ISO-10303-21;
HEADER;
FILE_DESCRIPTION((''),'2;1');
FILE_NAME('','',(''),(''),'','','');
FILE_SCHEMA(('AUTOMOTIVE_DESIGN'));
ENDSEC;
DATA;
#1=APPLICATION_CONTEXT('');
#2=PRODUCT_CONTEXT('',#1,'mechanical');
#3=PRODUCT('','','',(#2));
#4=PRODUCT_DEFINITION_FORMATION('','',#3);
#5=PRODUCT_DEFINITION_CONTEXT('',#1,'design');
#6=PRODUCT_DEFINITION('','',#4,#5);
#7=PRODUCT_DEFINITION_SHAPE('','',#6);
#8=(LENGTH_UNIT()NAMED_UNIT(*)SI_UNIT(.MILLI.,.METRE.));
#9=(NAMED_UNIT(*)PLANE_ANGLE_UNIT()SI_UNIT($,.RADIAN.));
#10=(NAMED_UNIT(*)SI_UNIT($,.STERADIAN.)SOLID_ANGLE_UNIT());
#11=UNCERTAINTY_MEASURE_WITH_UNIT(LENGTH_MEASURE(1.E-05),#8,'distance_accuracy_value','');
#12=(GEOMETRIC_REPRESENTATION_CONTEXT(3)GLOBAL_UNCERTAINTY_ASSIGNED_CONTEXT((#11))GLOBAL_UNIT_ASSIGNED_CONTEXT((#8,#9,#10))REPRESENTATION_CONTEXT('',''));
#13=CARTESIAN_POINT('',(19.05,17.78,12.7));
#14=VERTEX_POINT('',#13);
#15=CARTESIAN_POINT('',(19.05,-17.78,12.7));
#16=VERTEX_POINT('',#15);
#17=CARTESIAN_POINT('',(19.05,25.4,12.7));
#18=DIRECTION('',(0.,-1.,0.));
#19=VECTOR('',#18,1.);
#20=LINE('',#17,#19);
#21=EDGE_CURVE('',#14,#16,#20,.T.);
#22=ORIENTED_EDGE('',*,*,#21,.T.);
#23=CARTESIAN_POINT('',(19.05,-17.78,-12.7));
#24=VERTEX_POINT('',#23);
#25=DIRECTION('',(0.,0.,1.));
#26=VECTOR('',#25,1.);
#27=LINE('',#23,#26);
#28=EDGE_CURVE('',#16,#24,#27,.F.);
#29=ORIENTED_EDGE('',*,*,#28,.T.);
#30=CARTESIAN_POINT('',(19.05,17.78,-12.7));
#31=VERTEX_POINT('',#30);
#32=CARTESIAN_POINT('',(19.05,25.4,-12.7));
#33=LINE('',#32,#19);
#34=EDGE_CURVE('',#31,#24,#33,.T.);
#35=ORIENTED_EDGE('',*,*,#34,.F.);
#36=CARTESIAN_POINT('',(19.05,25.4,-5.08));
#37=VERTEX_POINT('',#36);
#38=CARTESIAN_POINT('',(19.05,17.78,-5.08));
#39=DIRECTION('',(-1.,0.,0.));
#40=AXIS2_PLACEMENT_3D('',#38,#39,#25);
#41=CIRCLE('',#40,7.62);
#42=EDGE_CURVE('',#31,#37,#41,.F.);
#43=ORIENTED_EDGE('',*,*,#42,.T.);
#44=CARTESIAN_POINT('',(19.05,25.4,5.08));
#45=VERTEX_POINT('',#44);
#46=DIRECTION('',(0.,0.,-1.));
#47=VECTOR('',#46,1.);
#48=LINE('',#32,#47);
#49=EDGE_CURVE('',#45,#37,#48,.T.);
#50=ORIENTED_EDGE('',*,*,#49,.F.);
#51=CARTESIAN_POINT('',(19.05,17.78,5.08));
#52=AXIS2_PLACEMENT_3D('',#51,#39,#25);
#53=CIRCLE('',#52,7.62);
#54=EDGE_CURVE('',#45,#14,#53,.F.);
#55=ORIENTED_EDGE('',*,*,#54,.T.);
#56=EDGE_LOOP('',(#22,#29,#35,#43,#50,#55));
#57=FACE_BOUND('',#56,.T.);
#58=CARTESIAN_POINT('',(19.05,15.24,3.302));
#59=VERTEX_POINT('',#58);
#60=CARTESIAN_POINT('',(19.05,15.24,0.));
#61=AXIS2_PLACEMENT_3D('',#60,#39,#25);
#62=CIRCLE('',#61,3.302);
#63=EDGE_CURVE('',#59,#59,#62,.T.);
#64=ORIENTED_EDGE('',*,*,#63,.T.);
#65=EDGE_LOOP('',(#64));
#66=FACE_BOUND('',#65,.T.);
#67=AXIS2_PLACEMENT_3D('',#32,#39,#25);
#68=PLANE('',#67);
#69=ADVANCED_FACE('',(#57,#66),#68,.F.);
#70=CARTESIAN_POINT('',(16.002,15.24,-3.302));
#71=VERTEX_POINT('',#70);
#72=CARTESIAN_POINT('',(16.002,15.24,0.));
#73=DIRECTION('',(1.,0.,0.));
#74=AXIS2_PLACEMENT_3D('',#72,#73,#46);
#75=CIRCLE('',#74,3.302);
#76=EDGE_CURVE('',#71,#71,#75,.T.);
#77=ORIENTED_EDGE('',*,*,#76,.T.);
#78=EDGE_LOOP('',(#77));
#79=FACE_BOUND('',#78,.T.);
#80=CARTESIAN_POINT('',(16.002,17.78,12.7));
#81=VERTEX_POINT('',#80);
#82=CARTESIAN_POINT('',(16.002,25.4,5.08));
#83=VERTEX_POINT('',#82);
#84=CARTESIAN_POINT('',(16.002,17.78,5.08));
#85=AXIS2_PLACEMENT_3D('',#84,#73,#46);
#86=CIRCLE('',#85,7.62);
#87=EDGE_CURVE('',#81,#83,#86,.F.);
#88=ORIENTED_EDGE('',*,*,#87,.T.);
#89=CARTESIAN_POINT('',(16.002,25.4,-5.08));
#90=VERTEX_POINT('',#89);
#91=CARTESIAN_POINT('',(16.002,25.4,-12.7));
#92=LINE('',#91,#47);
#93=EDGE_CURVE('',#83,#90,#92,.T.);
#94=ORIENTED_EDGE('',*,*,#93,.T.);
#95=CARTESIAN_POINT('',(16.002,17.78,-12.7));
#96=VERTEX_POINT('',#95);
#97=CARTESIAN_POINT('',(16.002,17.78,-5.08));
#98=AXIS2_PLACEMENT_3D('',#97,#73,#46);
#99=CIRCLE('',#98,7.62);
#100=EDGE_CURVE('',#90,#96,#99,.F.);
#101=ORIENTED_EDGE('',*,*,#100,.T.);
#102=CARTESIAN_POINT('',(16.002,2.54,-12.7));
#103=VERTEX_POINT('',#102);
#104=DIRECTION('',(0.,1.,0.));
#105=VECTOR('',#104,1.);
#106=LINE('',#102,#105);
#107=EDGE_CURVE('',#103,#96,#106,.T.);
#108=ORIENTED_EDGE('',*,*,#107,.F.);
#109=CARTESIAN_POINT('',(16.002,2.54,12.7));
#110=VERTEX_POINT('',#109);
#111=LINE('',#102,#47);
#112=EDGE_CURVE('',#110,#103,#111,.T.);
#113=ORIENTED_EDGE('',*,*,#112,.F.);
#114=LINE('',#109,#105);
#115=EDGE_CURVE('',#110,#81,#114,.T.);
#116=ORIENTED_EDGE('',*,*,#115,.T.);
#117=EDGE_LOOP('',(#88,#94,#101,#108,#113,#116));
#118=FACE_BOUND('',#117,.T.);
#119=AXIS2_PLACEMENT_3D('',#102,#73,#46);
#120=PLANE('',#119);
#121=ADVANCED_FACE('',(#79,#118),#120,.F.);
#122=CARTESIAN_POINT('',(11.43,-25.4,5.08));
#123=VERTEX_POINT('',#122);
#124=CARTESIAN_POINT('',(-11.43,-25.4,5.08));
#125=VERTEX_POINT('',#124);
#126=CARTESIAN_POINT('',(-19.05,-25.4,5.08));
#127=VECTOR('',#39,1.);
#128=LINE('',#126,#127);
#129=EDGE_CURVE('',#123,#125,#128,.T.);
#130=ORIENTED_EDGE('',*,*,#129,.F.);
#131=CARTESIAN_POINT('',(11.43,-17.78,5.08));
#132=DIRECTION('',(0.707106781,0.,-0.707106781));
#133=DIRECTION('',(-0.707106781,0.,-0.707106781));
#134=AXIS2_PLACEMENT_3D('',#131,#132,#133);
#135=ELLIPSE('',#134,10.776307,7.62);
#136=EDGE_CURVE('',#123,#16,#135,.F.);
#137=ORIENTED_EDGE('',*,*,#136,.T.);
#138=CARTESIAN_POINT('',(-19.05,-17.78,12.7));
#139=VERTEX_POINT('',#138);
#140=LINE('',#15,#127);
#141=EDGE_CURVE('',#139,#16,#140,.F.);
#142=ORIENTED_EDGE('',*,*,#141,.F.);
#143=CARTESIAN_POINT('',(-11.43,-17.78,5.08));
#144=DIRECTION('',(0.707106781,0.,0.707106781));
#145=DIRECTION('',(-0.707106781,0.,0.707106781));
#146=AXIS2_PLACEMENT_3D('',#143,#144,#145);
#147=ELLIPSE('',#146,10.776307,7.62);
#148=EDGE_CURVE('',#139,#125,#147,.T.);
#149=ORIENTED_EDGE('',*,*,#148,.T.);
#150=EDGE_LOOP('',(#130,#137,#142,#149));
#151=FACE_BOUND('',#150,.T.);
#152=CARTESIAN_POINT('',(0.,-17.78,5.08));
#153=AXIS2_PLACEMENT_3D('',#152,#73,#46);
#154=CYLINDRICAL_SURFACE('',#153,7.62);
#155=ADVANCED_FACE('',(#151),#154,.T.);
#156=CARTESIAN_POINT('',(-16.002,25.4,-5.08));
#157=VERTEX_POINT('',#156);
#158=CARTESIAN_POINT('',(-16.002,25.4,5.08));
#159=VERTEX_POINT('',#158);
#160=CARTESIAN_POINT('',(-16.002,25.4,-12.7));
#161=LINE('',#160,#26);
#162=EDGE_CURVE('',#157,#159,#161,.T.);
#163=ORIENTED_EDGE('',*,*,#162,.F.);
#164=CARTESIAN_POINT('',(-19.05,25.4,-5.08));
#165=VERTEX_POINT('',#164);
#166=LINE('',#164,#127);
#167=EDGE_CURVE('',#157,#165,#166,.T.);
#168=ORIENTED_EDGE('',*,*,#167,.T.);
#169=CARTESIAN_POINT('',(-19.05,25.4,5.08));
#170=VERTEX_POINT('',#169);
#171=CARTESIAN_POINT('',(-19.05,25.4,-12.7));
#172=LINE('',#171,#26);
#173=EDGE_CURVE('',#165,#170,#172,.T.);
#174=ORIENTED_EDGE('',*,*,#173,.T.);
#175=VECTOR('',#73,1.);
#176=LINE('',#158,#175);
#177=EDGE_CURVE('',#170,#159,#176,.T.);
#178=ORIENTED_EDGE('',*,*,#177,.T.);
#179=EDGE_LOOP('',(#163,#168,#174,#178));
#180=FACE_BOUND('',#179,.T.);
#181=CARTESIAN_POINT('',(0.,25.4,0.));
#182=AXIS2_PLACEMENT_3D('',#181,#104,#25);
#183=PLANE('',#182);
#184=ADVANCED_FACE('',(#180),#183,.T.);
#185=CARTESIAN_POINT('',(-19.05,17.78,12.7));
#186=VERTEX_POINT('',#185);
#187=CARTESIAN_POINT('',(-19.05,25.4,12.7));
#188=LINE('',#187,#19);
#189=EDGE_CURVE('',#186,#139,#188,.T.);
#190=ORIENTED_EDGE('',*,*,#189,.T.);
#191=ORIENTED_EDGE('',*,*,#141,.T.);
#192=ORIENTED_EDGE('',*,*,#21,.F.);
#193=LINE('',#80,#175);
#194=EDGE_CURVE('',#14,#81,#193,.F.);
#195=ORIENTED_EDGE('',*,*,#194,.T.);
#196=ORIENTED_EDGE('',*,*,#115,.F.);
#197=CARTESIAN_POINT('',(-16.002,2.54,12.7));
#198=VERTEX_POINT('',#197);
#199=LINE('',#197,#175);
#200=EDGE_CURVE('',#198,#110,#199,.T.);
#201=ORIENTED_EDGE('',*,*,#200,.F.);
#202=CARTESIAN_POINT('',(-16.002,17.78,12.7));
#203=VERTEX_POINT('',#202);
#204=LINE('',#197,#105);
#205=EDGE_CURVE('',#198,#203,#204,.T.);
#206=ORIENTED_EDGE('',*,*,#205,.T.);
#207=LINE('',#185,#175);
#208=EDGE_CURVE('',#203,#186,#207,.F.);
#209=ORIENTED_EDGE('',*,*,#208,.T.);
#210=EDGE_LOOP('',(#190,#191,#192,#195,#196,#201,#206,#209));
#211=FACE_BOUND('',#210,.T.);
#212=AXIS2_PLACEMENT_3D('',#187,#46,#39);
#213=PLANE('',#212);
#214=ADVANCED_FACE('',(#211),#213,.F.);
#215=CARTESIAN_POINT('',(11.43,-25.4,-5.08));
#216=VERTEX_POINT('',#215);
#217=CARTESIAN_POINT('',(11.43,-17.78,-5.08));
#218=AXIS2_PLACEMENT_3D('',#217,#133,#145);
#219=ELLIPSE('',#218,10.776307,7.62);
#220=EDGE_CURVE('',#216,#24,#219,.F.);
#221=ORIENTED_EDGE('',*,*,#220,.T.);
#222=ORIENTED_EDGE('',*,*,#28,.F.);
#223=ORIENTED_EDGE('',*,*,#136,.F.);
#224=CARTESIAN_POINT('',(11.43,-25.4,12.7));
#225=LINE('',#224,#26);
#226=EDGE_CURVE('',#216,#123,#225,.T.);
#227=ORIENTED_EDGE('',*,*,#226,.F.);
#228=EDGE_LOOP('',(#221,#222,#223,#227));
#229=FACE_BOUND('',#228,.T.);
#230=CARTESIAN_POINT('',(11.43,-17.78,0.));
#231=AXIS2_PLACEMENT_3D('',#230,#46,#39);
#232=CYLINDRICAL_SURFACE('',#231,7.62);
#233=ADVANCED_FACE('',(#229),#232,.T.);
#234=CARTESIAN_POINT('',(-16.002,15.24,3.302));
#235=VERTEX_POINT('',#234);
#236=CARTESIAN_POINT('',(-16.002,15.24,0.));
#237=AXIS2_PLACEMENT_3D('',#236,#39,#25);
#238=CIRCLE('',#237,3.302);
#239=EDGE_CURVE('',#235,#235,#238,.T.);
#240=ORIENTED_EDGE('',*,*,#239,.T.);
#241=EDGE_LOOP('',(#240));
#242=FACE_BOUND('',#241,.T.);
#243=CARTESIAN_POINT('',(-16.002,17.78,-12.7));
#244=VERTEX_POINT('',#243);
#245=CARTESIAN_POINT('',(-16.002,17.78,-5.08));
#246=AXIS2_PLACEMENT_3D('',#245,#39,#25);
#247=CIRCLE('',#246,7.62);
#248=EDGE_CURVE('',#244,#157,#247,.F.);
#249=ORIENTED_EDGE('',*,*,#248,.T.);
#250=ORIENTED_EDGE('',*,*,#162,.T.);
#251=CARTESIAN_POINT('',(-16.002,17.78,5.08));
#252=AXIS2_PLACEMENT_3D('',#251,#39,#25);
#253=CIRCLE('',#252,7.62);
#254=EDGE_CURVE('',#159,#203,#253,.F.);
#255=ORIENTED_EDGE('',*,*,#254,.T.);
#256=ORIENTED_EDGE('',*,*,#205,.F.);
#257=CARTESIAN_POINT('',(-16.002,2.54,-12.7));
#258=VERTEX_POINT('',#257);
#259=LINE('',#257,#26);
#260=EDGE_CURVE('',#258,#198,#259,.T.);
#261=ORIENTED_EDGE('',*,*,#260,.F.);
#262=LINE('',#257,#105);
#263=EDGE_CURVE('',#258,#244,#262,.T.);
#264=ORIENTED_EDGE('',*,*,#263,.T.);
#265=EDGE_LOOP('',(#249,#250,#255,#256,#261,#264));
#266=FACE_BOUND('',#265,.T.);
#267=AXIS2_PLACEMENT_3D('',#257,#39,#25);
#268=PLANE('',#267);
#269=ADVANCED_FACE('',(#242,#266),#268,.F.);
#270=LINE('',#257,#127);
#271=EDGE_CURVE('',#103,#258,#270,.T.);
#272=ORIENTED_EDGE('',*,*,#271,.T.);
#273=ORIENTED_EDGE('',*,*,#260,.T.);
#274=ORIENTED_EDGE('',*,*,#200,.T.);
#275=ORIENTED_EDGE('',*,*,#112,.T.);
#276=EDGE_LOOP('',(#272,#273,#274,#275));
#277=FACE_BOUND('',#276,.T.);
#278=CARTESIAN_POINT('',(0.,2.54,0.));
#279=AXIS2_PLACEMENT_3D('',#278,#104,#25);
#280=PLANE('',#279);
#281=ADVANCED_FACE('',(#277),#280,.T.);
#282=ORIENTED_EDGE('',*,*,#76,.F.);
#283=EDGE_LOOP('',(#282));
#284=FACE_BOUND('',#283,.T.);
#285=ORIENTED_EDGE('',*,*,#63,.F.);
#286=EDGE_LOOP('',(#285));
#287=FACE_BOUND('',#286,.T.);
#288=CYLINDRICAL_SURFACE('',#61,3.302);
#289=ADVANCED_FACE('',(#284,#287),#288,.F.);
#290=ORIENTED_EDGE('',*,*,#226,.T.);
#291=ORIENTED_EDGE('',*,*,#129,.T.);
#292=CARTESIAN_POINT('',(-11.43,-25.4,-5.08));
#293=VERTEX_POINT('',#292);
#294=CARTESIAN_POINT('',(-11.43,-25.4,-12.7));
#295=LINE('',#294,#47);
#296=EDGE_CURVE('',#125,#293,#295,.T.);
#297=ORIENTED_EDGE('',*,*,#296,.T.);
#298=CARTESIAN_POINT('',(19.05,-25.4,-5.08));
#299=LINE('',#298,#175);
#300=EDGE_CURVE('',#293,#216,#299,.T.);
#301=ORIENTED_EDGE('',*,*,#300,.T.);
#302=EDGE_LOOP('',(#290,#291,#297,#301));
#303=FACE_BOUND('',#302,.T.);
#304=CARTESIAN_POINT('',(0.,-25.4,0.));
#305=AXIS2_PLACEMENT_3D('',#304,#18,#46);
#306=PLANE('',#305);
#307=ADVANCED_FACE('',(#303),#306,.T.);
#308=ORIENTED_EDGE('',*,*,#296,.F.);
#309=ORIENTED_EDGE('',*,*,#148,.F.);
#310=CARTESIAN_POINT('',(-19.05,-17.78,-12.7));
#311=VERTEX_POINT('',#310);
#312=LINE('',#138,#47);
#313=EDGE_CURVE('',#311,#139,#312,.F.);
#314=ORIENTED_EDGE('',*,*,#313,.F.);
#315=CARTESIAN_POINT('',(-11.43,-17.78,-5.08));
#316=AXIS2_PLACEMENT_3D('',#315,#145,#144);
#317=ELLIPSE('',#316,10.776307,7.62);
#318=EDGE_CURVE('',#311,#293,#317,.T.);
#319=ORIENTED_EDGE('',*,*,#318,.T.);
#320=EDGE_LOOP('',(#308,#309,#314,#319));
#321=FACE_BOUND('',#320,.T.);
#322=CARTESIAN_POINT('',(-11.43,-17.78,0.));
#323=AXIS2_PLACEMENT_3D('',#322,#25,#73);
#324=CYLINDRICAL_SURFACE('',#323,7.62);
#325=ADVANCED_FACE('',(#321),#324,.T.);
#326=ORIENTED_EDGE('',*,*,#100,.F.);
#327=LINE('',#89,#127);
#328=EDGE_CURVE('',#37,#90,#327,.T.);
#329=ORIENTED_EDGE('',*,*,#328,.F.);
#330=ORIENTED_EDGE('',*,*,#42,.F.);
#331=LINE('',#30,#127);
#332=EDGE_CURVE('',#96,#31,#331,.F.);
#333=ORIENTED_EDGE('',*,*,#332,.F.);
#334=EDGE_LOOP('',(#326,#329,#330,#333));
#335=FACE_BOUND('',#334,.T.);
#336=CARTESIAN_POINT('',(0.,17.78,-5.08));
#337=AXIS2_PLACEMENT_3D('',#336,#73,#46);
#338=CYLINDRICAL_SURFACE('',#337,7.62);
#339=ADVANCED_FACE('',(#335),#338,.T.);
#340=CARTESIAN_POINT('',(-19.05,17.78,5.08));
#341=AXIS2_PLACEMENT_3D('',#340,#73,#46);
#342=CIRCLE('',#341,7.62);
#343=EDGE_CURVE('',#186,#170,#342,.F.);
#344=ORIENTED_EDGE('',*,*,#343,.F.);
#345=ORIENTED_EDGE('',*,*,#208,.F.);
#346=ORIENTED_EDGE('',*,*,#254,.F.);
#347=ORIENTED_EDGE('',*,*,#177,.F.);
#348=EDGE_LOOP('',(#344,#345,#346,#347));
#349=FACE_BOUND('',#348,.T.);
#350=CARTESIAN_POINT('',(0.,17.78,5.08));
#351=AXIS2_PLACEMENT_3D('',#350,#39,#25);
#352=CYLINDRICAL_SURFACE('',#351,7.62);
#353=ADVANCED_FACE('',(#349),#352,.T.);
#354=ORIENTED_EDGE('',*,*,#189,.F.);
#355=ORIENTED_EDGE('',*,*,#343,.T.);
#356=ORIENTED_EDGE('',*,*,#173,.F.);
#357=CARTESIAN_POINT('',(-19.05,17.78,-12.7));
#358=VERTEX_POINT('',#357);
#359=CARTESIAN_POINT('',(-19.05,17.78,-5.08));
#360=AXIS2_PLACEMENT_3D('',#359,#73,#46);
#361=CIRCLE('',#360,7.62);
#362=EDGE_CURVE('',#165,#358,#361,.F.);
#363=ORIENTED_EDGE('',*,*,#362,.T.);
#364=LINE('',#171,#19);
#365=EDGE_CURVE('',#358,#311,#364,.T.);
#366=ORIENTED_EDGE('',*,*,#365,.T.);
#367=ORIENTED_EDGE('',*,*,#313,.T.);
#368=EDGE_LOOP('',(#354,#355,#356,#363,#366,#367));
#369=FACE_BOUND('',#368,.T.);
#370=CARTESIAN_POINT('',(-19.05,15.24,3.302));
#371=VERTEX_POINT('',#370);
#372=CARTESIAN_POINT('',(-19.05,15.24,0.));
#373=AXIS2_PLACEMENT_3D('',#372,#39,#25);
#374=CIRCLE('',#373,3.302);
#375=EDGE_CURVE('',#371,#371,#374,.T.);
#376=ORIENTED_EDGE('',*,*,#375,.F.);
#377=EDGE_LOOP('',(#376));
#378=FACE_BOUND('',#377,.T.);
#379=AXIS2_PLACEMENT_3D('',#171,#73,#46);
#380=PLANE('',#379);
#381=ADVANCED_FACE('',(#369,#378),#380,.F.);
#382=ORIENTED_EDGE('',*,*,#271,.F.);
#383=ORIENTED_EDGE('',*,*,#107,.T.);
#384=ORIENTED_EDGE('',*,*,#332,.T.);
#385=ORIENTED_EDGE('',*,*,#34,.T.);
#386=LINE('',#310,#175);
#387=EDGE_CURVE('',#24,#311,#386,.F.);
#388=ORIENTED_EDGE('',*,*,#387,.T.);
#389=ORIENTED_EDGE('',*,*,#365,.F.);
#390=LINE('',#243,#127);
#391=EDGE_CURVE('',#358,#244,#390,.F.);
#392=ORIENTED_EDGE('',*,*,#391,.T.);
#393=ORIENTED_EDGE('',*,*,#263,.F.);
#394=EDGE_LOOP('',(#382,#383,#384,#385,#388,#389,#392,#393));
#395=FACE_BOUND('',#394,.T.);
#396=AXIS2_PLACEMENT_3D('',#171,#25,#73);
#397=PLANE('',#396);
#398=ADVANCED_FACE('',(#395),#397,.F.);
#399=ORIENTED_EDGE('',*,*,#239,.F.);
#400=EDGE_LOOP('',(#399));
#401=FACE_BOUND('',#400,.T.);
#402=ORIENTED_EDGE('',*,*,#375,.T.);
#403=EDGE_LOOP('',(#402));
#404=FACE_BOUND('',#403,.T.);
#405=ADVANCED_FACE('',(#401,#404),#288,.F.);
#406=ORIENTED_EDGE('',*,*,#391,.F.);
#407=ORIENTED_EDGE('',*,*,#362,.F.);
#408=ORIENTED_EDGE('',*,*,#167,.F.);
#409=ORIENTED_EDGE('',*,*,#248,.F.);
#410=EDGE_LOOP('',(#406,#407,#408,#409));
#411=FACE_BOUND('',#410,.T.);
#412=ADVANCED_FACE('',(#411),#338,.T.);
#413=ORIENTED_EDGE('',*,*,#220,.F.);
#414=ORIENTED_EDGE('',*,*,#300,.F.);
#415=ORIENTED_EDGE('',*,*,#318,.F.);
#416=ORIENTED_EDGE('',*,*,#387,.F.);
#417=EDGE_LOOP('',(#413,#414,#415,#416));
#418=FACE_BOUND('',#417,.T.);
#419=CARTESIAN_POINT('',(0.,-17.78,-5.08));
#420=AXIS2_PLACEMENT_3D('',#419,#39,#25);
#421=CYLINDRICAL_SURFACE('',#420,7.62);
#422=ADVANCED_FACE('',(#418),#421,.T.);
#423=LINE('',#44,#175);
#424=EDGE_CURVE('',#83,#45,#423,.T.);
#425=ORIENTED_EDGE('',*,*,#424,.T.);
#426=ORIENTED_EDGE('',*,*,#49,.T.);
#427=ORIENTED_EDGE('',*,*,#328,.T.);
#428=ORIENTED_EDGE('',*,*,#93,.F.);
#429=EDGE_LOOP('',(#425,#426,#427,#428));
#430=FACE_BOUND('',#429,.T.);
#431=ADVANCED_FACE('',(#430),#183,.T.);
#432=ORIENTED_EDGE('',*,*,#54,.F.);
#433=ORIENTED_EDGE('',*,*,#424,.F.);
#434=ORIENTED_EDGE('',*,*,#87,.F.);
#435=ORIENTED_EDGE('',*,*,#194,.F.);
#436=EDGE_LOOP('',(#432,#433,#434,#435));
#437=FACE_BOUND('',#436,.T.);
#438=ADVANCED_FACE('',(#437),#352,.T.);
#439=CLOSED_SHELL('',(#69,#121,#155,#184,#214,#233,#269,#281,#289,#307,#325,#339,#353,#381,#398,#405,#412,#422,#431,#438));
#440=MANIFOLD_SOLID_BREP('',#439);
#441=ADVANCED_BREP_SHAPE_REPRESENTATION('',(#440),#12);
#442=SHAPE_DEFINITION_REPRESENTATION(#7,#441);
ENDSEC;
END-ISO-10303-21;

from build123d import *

# Parameters (mm, degrees)
SKETCH1_W           = 38.1
SKETCH1_H           = 25.4
BOSS_EXTRUDE1_DEPTH = 25.4
SKETCH2_W           = 32.004
SKETCH2_H           = 25.4
CUT_EXTRUDE1_DEPTH  = 22.86
SKETCH3_R           = 3.302
CUT_EXTRUDE2_DEPTH  = 48.519048812
FILLET1_R           = 7.62
SKETCH4_W           = 38.1
SKETCH4_H           = 25.4
BOSS_EXTRUDE2_DEPTH = 25.4
FILLET2_R           = 7.62


with BuildPart() as part:
    # Sketch1 → Boss-Extrude1 (new body)
    with BuildSketch(Plane(origin=(0, 0, 0), x_dir=(1, 0, 0), z_dir=(0, 1, 0))):
        Rectangle(SKETCH1_W, SKETCH1_H)
    extrude(amount=BOSS_EXTRUDE1_DEPTH)

    # Sketch2 → Cut-Extrude1 (cut)
    with BuildSketch(Plane(origin=(0, 25.4, 0), x_dir=(1, 0, 0), z_dir=(0, 1, 0))):
        Rectangle(SKETCH2_W, SKETCH2_H)
    extrude(amount=-CUT_EXTRUDE1_DEPTH, mode=Mode.SUBTRACT)

    # Sketch3 → Cut-Extrude2 (cut, through all)
    with BuildSketch(Plane.ZY.offset(19.05)):
        with Locations((0, 15.24)):
            Circle(SKETCH3_R)
    extrude(amount=-CUT_EXTRUDE2_DEPTH, mode=Mode.SUBTRACT)

    # Fillet1
    fillet1_edges = [part.edges().sort_by_distance(p)[0] for p in [
        (-17.526, 25.4, -12.7),
        (17.526, 25.4, 12.7),
        (-17.526, 25.4, 12.7),
        (17.526, 25.4, -12.7),
    ]]
    fillet(fillet1_edges, radius=FILLET1_R)

    # Sketch4 → Boss-Extrude2 (add)
    with BuildSketch(Plane.XZ):
        Rectangle(SKETCH4_W, SKETCH4_H)
    extrude(amount=BOSS_EXTRUDE2_DEPTH)

    # Fillet2
    fillet2_edges = [part.edges().sort_by_distance(p)[0] for p in [
        (-19.05, -25.4, 0),
        (0, -25.4, -12.7),
        (19.05, -25.4, 0),
        (0, -25.4, 12.7),
    ]]
    fillet(fillet2_edges, radius=FILLET2_R)


solid = part.part
